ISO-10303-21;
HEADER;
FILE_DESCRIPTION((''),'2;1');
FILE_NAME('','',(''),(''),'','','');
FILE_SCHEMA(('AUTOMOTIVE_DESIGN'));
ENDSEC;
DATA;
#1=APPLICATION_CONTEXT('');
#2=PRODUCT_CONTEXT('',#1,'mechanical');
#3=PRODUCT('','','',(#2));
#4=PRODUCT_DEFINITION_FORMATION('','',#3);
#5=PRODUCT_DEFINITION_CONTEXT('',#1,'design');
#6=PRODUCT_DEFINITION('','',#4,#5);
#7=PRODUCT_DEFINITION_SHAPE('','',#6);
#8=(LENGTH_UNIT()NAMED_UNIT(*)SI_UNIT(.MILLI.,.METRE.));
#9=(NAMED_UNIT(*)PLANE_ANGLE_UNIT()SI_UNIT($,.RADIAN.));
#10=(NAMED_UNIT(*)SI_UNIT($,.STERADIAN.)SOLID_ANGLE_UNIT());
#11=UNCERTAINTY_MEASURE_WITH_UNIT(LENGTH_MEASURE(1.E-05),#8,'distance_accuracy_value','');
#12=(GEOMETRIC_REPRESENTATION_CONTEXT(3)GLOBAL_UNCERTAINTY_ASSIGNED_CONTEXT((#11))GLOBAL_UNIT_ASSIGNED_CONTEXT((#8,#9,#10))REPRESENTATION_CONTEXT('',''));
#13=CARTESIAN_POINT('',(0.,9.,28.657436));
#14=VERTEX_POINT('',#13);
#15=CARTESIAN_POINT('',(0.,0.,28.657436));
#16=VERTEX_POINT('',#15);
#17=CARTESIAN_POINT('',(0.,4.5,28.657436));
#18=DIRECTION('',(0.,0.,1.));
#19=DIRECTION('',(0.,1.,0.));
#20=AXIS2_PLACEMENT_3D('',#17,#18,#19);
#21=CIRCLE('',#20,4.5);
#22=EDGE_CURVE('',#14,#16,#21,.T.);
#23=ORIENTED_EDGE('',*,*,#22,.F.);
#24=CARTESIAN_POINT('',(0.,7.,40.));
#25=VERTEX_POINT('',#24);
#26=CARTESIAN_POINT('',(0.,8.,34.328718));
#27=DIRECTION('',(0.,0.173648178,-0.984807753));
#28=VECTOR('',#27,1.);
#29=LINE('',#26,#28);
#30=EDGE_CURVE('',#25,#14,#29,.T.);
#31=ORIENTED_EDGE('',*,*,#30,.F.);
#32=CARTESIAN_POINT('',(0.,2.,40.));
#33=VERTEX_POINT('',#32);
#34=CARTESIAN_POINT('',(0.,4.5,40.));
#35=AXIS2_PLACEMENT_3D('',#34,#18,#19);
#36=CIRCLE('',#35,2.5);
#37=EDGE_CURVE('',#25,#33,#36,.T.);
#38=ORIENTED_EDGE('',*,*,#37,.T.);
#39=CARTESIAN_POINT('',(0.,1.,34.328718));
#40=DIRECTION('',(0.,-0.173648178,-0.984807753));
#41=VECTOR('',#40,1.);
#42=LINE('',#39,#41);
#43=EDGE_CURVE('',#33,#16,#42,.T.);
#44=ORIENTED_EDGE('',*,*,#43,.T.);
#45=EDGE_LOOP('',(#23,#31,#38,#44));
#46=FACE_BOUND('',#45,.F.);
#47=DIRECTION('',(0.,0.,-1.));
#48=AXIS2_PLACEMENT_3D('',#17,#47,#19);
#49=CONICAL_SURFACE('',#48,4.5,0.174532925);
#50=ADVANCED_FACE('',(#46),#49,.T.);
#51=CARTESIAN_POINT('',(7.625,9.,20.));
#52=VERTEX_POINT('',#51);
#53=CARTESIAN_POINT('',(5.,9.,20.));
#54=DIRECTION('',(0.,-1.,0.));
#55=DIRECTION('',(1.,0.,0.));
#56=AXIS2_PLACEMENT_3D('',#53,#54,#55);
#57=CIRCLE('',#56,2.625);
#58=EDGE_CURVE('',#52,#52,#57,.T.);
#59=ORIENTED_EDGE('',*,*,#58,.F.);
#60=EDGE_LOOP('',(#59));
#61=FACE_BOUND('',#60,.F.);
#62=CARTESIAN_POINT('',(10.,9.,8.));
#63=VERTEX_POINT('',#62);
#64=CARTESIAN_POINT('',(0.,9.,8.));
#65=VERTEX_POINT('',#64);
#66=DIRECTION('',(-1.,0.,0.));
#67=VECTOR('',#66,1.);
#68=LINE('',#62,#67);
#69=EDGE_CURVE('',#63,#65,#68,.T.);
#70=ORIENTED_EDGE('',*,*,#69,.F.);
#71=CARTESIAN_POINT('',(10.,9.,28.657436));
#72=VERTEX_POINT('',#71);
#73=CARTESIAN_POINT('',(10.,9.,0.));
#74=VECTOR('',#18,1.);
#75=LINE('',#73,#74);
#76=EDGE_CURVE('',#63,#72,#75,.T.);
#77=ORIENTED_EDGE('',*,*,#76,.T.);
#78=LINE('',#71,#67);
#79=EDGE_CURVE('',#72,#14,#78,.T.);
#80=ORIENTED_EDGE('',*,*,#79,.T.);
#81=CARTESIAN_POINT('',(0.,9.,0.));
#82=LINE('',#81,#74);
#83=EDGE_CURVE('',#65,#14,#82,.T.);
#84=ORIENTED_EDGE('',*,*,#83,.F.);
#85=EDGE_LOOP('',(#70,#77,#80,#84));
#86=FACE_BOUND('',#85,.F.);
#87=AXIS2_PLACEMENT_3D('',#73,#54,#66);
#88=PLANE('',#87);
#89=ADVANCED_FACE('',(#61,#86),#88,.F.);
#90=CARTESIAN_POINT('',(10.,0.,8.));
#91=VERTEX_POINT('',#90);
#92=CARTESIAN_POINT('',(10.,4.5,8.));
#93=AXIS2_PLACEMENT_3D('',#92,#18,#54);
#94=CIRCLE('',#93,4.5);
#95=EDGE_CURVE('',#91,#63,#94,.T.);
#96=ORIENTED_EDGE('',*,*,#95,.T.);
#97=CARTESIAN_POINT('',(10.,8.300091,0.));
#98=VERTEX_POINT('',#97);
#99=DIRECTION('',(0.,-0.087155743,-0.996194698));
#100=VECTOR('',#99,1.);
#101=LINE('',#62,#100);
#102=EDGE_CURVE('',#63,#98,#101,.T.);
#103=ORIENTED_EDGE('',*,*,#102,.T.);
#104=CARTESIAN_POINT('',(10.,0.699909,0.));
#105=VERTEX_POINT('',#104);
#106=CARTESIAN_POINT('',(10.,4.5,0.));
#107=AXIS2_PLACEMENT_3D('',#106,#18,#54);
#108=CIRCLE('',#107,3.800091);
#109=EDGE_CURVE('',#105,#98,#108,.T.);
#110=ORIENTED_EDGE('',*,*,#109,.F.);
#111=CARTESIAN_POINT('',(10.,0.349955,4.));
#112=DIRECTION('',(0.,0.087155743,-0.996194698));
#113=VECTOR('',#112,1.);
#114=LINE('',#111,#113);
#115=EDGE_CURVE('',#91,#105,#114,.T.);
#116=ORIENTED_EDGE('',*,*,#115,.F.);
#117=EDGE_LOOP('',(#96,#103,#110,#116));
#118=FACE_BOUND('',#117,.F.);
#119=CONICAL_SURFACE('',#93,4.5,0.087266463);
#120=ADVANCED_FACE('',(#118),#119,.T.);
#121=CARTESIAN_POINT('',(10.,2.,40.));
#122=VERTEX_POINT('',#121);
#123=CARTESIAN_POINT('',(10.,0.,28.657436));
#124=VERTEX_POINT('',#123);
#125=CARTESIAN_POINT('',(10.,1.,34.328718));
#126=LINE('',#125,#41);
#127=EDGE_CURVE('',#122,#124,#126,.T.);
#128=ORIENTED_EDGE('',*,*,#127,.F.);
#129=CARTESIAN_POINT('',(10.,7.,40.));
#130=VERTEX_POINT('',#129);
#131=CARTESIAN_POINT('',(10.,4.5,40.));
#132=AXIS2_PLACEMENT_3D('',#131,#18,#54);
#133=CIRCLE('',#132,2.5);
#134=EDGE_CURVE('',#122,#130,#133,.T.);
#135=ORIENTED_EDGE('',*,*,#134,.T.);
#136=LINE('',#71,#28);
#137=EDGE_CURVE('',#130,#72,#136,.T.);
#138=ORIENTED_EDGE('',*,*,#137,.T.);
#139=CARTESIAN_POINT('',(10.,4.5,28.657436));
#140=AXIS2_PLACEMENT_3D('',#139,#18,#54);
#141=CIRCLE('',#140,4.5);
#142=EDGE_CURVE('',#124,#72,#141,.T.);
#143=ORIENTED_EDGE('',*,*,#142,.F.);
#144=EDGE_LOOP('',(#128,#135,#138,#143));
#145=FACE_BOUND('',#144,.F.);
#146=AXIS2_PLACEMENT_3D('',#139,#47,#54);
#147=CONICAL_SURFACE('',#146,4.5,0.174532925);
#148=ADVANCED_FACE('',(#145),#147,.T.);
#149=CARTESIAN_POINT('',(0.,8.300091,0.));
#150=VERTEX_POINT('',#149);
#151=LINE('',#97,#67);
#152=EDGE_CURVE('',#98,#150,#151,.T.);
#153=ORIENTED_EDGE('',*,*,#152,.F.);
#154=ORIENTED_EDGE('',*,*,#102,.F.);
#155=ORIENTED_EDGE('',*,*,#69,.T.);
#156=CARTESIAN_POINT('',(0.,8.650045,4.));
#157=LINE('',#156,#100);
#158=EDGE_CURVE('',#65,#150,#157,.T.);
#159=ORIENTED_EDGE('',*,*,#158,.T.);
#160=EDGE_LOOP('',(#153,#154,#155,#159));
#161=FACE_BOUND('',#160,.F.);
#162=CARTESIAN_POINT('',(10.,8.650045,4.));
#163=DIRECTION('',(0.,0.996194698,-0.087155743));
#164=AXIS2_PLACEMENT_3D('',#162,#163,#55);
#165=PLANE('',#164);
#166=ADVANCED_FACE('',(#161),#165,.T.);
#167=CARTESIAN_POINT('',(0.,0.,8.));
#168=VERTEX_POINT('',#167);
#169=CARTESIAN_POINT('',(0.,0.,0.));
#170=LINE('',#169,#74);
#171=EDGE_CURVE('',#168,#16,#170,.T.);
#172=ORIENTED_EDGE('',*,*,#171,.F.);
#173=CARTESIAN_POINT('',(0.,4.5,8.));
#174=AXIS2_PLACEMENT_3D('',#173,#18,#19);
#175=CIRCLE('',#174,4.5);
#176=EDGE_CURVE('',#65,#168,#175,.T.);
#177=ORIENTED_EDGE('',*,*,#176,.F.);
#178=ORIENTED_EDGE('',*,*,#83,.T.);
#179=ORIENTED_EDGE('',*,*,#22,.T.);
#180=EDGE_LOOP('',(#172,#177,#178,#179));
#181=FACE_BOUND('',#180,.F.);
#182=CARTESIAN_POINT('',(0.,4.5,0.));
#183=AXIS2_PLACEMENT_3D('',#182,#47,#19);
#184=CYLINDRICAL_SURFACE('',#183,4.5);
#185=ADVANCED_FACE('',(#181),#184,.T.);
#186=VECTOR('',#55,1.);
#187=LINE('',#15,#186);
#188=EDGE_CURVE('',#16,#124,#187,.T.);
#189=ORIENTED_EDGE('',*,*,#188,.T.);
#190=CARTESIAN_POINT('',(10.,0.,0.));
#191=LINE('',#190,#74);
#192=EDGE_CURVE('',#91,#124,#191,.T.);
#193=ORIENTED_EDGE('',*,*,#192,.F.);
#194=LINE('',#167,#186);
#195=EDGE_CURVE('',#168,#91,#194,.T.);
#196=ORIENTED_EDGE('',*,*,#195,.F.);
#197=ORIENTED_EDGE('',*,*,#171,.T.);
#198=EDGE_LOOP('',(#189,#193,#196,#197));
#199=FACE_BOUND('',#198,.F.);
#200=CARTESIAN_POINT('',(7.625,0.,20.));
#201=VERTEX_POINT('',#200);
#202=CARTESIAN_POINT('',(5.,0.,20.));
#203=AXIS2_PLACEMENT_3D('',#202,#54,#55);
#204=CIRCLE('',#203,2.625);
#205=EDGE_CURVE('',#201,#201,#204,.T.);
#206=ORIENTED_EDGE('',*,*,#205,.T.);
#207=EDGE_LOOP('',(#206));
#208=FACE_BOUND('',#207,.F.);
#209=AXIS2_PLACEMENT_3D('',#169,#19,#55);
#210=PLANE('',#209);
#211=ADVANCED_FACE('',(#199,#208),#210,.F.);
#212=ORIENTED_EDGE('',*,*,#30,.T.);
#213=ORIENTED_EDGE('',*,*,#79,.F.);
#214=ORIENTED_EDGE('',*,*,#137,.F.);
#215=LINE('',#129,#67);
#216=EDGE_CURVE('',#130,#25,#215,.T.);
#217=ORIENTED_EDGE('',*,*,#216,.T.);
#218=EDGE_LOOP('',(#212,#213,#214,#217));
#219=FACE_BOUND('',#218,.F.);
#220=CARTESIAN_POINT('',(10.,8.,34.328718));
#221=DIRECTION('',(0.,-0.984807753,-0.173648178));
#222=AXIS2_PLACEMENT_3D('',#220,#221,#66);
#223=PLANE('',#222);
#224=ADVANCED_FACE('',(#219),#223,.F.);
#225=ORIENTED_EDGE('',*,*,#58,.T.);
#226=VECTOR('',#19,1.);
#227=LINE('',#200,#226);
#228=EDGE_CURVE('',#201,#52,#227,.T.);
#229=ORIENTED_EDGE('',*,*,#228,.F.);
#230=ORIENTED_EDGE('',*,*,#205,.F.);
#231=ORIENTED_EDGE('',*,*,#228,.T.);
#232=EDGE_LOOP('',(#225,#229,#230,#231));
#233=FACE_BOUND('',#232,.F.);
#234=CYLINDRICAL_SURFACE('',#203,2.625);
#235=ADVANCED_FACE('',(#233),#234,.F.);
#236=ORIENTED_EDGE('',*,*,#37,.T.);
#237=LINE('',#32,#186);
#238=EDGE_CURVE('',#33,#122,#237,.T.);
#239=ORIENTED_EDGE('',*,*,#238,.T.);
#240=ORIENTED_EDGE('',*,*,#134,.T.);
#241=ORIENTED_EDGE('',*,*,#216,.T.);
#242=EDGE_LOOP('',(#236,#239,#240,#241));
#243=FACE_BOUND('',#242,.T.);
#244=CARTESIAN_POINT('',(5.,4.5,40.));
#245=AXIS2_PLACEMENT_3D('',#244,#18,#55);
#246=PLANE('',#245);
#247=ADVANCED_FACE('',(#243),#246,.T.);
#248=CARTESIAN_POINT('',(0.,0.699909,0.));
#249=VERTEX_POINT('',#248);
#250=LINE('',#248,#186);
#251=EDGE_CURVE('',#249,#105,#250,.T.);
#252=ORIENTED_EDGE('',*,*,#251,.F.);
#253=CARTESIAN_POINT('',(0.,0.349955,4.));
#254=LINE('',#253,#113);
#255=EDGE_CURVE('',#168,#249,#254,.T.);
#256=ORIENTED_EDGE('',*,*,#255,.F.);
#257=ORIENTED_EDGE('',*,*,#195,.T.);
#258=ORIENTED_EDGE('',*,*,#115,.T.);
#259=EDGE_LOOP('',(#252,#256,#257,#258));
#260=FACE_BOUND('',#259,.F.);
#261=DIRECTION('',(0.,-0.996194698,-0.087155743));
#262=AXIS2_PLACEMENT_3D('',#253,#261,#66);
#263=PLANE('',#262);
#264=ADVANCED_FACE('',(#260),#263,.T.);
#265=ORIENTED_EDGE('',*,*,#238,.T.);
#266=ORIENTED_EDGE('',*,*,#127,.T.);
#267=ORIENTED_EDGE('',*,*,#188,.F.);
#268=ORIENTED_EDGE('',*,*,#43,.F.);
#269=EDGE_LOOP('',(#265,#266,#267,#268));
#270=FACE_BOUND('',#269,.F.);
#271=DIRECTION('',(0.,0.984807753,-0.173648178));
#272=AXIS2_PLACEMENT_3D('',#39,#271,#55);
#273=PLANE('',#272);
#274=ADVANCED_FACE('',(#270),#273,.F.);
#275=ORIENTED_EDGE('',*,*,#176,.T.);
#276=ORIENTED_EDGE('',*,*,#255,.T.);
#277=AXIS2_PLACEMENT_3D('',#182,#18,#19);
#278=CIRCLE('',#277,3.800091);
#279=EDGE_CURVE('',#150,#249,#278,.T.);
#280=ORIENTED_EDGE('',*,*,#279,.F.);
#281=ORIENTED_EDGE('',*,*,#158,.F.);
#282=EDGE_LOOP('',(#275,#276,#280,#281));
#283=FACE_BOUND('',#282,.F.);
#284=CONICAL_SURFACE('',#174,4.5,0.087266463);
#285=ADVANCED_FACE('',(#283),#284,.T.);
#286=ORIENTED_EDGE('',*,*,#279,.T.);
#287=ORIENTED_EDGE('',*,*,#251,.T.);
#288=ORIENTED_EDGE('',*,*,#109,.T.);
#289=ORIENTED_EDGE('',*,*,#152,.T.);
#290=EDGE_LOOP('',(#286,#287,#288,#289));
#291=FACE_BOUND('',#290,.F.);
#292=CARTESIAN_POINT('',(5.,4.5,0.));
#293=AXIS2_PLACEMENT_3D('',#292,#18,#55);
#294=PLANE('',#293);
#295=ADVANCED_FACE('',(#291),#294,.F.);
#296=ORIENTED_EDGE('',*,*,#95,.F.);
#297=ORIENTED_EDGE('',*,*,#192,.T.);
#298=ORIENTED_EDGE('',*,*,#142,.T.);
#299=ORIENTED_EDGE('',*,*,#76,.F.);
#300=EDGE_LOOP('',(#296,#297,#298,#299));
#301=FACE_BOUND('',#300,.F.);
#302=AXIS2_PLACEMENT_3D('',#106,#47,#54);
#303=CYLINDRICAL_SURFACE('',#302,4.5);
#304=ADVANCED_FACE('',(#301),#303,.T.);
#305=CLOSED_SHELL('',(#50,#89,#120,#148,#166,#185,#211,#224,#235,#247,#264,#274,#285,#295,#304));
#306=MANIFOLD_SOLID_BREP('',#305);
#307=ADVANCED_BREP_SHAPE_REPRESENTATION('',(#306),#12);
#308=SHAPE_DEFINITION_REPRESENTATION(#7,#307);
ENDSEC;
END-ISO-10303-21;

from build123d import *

# Parameters (mm, degrees)
F1_DEPTH = 40
F2_R     = 2.625
F3_DEPTH = 25
F4_SIZE2 = 0.6999093082
F4_SIZE  = 8
F5_SIZE2 = 11.3425636392
F5_SIZE  = 2


with BuildPart() as f1:
    # F0 (on Top) → F1 (new body)
    with BuildSketch(Plane.XY):
        with BuildLine():
            ThreePointArc((0, 9), (-4.5, 4.5), (0, 0))
            Line((0, 0), (10, 0))
            ThreePointArc((10, 0), (14.5, 4.5), (10, 9))
            Line((10, 9), (0, 9))
        make_face()
    extrude(amount=F1_DEPTH)

    # F2 (on face) → F3 (cut)
    with BuildSketch(Plane.XZ):
        with Locations((5, 20)):
            Circle(F2_R)
    extrude(amount=-F3_DEPTH, mode=Mode.SUBTRACT)

    # F4
    f4_edges = [f1.edges().sort_by_distance(p)[0] for p in [
        (5, 0, 0),
        (14.5, 4.5, 0),
        (5, 9, 0),
        (-4.5, 4.5, 0),
    ]]
    chamfer(f4_edges, length=F4_SIZE, length2=F4_SIZE2)

    # F5
    f5_edges = [f1.edges().sort_by_distance(p)[0] for p in [
        (5, 0, 40),
        (14.5, 4.5, 40),
        (5, 9, 40),
        (-4.5, 4.5, 40),
    ]]
    f5_side = f1.faces().sort_by_distance((5, 4.5, 40))[0]
    chamfer(f5_edges, length=F5_SIZE, length2=F5_SIZE2, reference=f5_side)


solid = f1.part
